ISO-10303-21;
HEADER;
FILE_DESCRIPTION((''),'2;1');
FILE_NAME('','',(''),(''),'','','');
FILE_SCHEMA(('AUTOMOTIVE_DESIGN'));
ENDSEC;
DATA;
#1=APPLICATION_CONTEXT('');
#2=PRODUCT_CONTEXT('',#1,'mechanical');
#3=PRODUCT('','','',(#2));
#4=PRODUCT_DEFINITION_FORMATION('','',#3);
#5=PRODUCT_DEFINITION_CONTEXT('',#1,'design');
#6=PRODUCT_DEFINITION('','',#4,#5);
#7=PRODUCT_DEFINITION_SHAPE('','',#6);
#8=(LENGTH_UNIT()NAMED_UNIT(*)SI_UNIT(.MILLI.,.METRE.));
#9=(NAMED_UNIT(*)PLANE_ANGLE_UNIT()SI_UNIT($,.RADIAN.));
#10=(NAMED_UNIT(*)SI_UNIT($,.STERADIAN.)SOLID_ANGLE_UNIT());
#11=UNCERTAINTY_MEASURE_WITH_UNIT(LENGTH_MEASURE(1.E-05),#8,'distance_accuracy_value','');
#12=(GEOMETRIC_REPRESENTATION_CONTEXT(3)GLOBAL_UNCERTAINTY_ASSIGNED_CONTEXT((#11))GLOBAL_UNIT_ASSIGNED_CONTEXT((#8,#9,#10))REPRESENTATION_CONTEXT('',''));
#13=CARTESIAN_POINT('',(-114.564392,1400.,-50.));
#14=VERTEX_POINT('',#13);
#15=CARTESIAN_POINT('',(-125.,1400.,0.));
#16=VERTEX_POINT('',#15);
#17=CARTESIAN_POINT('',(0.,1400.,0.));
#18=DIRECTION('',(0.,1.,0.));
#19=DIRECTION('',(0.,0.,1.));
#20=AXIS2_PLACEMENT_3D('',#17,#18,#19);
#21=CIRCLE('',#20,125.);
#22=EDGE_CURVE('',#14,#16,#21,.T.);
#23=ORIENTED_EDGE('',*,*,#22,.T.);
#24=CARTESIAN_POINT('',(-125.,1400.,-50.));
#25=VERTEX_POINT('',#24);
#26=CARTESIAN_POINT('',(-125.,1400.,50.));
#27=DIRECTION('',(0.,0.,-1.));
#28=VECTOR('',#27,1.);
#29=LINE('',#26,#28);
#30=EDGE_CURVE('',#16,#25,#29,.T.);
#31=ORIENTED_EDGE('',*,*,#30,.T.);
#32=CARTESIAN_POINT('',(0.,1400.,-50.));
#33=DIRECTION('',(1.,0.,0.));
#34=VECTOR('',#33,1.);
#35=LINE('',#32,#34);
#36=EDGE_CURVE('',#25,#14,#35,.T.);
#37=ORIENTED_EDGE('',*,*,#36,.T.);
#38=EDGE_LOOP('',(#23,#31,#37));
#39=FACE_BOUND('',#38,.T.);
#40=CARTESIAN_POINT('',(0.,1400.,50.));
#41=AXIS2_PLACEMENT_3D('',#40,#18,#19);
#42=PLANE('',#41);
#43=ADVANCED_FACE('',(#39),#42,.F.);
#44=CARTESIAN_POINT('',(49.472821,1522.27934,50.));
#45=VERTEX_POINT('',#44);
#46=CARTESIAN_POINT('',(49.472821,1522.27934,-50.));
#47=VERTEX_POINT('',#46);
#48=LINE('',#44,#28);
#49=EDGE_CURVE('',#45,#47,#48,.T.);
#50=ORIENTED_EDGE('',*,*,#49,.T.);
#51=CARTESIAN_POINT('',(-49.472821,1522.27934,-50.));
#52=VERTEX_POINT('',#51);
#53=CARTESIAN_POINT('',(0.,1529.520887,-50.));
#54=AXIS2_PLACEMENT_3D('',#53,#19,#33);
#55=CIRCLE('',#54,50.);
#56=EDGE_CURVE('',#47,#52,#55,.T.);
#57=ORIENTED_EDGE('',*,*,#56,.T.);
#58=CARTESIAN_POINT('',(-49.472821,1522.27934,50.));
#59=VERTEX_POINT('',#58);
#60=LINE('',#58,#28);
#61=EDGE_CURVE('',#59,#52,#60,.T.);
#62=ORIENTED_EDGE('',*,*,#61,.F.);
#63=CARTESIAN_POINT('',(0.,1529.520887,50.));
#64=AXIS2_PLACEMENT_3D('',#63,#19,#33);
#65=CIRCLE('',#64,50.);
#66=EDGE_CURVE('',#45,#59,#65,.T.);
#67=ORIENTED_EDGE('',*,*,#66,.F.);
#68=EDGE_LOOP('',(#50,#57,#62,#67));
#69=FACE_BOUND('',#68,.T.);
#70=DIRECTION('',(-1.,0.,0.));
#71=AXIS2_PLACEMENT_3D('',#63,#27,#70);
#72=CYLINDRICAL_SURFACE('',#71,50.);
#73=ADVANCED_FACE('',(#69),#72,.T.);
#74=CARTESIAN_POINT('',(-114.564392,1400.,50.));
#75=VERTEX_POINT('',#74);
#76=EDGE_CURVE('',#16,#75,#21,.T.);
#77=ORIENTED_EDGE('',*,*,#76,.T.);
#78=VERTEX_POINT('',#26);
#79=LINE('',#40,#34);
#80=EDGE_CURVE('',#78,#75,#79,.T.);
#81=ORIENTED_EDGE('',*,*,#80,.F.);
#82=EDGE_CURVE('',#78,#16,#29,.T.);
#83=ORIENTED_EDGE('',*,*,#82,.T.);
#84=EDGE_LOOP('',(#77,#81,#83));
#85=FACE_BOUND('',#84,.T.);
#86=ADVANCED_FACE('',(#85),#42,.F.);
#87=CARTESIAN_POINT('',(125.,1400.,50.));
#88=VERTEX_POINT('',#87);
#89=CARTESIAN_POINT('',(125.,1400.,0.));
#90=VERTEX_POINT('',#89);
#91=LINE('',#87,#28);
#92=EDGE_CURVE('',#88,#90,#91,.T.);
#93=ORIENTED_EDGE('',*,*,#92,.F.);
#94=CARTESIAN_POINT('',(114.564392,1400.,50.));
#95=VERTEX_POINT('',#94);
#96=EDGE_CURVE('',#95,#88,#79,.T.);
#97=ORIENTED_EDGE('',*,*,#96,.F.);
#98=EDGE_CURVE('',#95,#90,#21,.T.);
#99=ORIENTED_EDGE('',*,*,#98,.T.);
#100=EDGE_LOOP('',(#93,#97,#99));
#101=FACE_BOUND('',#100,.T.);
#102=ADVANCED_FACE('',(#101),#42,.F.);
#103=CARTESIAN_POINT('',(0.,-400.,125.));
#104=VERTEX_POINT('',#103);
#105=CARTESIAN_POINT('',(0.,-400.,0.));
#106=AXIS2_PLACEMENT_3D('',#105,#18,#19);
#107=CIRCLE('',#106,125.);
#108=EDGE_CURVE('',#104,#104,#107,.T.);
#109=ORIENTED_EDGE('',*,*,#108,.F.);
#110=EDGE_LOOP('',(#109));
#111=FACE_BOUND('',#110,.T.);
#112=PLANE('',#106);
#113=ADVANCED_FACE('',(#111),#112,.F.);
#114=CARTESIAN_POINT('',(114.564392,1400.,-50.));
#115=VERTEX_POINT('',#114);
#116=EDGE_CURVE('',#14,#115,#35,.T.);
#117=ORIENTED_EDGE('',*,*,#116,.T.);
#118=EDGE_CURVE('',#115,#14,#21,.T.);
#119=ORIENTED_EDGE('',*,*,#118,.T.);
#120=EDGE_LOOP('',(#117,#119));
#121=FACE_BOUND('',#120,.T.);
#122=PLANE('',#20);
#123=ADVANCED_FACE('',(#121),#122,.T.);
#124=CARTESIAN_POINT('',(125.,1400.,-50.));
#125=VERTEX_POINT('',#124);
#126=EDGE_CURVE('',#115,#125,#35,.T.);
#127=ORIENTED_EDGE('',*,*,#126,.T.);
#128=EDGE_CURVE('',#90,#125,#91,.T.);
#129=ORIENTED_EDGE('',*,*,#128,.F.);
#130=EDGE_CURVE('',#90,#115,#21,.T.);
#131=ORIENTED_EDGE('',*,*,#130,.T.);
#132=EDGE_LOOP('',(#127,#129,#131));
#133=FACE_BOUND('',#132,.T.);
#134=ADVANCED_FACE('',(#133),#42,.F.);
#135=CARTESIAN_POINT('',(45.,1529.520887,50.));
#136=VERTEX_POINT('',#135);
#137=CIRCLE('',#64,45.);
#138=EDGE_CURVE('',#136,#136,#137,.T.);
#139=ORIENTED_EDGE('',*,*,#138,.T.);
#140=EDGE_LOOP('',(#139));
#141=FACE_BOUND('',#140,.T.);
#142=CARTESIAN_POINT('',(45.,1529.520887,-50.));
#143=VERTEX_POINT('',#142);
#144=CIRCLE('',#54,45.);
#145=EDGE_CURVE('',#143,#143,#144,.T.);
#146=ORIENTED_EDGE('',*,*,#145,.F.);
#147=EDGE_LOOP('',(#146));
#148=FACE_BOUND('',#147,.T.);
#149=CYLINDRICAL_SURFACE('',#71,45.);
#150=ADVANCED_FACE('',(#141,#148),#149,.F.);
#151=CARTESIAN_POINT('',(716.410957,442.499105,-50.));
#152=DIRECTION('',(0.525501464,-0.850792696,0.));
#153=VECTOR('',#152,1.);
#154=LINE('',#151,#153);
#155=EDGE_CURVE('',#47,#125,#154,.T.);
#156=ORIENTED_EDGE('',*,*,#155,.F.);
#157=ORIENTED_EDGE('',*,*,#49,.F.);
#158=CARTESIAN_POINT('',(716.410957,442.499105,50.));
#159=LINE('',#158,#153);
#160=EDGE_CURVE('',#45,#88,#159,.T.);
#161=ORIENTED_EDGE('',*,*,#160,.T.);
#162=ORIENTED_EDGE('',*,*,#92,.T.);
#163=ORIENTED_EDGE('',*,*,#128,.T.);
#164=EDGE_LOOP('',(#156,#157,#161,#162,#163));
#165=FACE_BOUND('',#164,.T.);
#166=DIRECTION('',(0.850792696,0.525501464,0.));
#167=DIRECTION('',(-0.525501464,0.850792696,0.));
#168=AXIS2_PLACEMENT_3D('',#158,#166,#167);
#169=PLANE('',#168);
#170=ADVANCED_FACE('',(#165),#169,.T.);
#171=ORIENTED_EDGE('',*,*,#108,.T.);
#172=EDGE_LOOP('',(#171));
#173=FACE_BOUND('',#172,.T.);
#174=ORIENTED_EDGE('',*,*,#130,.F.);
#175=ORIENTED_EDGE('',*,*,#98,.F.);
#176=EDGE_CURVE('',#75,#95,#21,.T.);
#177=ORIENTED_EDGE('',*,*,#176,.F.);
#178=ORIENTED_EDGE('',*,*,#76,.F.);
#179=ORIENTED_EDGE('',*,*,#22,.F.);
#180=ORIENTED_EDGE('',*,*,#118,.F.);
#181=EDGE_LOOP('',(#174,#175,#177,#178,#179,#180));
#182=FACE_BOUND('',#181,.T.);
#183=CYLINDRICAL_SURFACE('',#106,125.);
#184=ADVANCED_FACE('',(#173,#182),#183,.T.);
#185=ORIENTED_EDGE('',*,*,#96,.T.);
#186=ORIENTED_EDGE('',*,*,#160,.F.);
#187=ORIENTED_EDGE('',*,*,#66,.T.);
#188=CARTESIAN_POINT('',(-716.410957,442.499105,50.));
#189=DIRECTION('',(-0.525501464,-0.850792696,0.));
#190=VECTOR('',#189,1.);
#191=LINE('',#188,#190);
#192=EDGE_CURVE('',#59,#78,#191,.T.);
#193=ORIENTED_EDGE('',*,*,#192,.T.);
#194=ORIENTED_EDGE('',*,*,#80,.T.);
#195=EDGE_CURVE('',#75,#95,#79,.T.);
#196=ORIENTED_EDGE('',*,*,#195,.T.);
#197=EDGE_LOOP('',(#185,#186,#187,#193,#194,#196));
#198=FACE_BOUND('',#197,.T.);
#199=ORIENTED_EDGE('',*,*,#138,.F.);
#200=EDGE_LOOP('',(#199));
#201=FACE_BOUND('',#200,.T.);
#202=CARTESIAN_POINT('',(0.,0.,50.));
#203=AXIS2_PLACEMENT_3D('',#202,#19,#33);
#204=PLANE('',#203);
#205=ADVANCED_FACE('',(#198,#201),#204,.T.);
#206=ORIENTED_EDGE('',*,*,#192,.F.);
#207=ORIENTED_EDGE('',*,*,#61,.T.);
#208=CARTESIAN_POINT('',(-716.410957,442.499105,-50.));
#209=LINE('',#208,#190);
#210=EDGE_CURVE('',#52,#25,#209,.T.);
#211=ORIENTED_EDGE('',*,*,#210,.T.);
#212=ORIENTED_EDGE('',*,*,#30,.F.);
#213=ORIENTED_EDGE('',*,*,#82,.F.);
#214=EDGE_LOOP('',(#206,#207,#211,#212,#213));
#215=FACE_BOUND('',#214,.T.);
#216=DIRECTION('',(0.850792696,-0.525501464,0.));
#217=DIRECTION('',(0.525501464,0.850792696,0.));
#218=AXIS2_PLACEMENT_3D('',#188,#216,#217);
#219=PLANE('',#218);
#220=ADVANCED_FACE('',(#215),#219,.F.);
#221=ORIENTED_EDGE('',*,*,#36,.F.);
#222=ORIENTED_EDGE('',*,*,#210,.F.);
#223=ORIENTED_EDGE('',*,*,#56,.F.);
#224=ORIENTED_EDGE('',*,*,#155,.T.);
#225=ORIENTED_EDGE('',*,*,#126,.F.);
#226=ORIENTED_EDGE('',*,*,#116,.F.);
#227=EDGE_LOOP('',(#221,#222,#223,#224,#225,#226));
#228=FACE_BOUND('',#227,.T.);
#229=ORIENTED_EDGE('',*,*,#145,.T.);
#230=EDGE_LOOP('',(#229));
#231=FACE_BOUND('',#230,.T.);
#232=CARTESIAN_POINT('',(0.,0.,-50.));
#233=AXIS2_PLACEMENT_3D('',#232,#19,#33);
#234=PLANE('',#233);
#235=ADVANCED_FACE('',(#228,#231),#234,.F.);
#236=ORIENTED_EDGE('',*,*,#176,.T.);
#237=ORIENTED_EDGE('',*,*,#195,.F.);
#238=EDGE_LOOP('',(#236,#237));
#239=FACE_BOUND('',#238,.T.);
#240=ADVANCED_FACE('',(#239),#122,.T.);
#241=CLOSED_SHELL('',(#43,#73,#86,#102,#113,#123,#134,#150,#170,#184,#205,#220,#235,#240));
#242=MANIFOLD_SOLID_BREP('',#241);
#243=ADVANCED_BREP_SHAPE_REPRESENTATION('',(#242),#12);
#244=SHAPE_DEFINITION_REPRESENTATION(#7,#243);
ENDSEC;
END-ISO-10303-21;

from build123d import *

# Parameters (mm, degrees)
BOSS_EXTRUDE1_DEPTH      = 1400
BOSS_EXTRUDE1_DEPTH_BACK = 400
SKETCH1_R                = 125
BOSS_EXTRUDE2_DEPTH      = 50


with BuildPart() as part:
    # Sketch1 → Boss-Extrude1 (new, two sides: drawn at the far end of the back side and taken through both)
    with BuildSketch(Plane(origin=(0, 0, 0), x_dir=(1, 0, 0), z_dir=(0, 1, 0)).offset(-BOSS_EXTRUDE1_DEPTH_BACK)):
        with Locations(Location((0, 0, 0), (0, 0, 270))):
            Circle(SKETCH1_R)
    extrude(amount=BOSS_EXTRUDE1_DEPTH + BOSS_EXTRUDE1_DEPTH_BACK)

    # Sketch2 → Boss-Extrude2 (add, symmetric)
    with BuildSketch(Plane.XY):
        with BuildLine():
            ThreePointArc((49.472820857, 1522.279340233), (0, 1479.520886781), (-49.472820857, 1522.279340233))
            Line((-49.472820857, 1522.279340233), (-125, 1400))
            Line((-125, 1400), (125, 1400))
            Line((125, 1400), (49.472820857, 1522.279340233))
        make_face()
        with BuildLine():
            ThreePointArc((45, 1529.520886781), (0, 1484.520886781), (-45, 1529.520886781))
            Line((-45, 1529.520886781), (-49.472820857, 1522.279340233))
            ThreePointArc((-49.472820857, 1522.279340233), (0, 1479.520886781), (49.472820857, 1522.279340233))
            Line((49.472820857, 1522.279340233), (45, 1529.520886781))
        make_face()
        with BuildLine():
            Line((-49.472820857, 1522.279340233), (-45, 1529.520886781))
            ThreePointArc((-45, 1529.520886781), (0, 1574.520886781), (45, 1529.520886781))
            Line((45, 1529.520886781), (49.472820857, 1522.279340233))
            ThreePointArc((49.472820857, 1522.279340233), (49.868031056, 1525.890531625), (50, 1529.520886781))
            ThreePointArc((50, 1529.520886781), (-3.630355157, 1579.388917838), (-49.472820857, 1522.279340233))
        make_face()
    extrude(amount=BOSS_EXTRUDE2_DEPTH, both=True)


solid = part.part
